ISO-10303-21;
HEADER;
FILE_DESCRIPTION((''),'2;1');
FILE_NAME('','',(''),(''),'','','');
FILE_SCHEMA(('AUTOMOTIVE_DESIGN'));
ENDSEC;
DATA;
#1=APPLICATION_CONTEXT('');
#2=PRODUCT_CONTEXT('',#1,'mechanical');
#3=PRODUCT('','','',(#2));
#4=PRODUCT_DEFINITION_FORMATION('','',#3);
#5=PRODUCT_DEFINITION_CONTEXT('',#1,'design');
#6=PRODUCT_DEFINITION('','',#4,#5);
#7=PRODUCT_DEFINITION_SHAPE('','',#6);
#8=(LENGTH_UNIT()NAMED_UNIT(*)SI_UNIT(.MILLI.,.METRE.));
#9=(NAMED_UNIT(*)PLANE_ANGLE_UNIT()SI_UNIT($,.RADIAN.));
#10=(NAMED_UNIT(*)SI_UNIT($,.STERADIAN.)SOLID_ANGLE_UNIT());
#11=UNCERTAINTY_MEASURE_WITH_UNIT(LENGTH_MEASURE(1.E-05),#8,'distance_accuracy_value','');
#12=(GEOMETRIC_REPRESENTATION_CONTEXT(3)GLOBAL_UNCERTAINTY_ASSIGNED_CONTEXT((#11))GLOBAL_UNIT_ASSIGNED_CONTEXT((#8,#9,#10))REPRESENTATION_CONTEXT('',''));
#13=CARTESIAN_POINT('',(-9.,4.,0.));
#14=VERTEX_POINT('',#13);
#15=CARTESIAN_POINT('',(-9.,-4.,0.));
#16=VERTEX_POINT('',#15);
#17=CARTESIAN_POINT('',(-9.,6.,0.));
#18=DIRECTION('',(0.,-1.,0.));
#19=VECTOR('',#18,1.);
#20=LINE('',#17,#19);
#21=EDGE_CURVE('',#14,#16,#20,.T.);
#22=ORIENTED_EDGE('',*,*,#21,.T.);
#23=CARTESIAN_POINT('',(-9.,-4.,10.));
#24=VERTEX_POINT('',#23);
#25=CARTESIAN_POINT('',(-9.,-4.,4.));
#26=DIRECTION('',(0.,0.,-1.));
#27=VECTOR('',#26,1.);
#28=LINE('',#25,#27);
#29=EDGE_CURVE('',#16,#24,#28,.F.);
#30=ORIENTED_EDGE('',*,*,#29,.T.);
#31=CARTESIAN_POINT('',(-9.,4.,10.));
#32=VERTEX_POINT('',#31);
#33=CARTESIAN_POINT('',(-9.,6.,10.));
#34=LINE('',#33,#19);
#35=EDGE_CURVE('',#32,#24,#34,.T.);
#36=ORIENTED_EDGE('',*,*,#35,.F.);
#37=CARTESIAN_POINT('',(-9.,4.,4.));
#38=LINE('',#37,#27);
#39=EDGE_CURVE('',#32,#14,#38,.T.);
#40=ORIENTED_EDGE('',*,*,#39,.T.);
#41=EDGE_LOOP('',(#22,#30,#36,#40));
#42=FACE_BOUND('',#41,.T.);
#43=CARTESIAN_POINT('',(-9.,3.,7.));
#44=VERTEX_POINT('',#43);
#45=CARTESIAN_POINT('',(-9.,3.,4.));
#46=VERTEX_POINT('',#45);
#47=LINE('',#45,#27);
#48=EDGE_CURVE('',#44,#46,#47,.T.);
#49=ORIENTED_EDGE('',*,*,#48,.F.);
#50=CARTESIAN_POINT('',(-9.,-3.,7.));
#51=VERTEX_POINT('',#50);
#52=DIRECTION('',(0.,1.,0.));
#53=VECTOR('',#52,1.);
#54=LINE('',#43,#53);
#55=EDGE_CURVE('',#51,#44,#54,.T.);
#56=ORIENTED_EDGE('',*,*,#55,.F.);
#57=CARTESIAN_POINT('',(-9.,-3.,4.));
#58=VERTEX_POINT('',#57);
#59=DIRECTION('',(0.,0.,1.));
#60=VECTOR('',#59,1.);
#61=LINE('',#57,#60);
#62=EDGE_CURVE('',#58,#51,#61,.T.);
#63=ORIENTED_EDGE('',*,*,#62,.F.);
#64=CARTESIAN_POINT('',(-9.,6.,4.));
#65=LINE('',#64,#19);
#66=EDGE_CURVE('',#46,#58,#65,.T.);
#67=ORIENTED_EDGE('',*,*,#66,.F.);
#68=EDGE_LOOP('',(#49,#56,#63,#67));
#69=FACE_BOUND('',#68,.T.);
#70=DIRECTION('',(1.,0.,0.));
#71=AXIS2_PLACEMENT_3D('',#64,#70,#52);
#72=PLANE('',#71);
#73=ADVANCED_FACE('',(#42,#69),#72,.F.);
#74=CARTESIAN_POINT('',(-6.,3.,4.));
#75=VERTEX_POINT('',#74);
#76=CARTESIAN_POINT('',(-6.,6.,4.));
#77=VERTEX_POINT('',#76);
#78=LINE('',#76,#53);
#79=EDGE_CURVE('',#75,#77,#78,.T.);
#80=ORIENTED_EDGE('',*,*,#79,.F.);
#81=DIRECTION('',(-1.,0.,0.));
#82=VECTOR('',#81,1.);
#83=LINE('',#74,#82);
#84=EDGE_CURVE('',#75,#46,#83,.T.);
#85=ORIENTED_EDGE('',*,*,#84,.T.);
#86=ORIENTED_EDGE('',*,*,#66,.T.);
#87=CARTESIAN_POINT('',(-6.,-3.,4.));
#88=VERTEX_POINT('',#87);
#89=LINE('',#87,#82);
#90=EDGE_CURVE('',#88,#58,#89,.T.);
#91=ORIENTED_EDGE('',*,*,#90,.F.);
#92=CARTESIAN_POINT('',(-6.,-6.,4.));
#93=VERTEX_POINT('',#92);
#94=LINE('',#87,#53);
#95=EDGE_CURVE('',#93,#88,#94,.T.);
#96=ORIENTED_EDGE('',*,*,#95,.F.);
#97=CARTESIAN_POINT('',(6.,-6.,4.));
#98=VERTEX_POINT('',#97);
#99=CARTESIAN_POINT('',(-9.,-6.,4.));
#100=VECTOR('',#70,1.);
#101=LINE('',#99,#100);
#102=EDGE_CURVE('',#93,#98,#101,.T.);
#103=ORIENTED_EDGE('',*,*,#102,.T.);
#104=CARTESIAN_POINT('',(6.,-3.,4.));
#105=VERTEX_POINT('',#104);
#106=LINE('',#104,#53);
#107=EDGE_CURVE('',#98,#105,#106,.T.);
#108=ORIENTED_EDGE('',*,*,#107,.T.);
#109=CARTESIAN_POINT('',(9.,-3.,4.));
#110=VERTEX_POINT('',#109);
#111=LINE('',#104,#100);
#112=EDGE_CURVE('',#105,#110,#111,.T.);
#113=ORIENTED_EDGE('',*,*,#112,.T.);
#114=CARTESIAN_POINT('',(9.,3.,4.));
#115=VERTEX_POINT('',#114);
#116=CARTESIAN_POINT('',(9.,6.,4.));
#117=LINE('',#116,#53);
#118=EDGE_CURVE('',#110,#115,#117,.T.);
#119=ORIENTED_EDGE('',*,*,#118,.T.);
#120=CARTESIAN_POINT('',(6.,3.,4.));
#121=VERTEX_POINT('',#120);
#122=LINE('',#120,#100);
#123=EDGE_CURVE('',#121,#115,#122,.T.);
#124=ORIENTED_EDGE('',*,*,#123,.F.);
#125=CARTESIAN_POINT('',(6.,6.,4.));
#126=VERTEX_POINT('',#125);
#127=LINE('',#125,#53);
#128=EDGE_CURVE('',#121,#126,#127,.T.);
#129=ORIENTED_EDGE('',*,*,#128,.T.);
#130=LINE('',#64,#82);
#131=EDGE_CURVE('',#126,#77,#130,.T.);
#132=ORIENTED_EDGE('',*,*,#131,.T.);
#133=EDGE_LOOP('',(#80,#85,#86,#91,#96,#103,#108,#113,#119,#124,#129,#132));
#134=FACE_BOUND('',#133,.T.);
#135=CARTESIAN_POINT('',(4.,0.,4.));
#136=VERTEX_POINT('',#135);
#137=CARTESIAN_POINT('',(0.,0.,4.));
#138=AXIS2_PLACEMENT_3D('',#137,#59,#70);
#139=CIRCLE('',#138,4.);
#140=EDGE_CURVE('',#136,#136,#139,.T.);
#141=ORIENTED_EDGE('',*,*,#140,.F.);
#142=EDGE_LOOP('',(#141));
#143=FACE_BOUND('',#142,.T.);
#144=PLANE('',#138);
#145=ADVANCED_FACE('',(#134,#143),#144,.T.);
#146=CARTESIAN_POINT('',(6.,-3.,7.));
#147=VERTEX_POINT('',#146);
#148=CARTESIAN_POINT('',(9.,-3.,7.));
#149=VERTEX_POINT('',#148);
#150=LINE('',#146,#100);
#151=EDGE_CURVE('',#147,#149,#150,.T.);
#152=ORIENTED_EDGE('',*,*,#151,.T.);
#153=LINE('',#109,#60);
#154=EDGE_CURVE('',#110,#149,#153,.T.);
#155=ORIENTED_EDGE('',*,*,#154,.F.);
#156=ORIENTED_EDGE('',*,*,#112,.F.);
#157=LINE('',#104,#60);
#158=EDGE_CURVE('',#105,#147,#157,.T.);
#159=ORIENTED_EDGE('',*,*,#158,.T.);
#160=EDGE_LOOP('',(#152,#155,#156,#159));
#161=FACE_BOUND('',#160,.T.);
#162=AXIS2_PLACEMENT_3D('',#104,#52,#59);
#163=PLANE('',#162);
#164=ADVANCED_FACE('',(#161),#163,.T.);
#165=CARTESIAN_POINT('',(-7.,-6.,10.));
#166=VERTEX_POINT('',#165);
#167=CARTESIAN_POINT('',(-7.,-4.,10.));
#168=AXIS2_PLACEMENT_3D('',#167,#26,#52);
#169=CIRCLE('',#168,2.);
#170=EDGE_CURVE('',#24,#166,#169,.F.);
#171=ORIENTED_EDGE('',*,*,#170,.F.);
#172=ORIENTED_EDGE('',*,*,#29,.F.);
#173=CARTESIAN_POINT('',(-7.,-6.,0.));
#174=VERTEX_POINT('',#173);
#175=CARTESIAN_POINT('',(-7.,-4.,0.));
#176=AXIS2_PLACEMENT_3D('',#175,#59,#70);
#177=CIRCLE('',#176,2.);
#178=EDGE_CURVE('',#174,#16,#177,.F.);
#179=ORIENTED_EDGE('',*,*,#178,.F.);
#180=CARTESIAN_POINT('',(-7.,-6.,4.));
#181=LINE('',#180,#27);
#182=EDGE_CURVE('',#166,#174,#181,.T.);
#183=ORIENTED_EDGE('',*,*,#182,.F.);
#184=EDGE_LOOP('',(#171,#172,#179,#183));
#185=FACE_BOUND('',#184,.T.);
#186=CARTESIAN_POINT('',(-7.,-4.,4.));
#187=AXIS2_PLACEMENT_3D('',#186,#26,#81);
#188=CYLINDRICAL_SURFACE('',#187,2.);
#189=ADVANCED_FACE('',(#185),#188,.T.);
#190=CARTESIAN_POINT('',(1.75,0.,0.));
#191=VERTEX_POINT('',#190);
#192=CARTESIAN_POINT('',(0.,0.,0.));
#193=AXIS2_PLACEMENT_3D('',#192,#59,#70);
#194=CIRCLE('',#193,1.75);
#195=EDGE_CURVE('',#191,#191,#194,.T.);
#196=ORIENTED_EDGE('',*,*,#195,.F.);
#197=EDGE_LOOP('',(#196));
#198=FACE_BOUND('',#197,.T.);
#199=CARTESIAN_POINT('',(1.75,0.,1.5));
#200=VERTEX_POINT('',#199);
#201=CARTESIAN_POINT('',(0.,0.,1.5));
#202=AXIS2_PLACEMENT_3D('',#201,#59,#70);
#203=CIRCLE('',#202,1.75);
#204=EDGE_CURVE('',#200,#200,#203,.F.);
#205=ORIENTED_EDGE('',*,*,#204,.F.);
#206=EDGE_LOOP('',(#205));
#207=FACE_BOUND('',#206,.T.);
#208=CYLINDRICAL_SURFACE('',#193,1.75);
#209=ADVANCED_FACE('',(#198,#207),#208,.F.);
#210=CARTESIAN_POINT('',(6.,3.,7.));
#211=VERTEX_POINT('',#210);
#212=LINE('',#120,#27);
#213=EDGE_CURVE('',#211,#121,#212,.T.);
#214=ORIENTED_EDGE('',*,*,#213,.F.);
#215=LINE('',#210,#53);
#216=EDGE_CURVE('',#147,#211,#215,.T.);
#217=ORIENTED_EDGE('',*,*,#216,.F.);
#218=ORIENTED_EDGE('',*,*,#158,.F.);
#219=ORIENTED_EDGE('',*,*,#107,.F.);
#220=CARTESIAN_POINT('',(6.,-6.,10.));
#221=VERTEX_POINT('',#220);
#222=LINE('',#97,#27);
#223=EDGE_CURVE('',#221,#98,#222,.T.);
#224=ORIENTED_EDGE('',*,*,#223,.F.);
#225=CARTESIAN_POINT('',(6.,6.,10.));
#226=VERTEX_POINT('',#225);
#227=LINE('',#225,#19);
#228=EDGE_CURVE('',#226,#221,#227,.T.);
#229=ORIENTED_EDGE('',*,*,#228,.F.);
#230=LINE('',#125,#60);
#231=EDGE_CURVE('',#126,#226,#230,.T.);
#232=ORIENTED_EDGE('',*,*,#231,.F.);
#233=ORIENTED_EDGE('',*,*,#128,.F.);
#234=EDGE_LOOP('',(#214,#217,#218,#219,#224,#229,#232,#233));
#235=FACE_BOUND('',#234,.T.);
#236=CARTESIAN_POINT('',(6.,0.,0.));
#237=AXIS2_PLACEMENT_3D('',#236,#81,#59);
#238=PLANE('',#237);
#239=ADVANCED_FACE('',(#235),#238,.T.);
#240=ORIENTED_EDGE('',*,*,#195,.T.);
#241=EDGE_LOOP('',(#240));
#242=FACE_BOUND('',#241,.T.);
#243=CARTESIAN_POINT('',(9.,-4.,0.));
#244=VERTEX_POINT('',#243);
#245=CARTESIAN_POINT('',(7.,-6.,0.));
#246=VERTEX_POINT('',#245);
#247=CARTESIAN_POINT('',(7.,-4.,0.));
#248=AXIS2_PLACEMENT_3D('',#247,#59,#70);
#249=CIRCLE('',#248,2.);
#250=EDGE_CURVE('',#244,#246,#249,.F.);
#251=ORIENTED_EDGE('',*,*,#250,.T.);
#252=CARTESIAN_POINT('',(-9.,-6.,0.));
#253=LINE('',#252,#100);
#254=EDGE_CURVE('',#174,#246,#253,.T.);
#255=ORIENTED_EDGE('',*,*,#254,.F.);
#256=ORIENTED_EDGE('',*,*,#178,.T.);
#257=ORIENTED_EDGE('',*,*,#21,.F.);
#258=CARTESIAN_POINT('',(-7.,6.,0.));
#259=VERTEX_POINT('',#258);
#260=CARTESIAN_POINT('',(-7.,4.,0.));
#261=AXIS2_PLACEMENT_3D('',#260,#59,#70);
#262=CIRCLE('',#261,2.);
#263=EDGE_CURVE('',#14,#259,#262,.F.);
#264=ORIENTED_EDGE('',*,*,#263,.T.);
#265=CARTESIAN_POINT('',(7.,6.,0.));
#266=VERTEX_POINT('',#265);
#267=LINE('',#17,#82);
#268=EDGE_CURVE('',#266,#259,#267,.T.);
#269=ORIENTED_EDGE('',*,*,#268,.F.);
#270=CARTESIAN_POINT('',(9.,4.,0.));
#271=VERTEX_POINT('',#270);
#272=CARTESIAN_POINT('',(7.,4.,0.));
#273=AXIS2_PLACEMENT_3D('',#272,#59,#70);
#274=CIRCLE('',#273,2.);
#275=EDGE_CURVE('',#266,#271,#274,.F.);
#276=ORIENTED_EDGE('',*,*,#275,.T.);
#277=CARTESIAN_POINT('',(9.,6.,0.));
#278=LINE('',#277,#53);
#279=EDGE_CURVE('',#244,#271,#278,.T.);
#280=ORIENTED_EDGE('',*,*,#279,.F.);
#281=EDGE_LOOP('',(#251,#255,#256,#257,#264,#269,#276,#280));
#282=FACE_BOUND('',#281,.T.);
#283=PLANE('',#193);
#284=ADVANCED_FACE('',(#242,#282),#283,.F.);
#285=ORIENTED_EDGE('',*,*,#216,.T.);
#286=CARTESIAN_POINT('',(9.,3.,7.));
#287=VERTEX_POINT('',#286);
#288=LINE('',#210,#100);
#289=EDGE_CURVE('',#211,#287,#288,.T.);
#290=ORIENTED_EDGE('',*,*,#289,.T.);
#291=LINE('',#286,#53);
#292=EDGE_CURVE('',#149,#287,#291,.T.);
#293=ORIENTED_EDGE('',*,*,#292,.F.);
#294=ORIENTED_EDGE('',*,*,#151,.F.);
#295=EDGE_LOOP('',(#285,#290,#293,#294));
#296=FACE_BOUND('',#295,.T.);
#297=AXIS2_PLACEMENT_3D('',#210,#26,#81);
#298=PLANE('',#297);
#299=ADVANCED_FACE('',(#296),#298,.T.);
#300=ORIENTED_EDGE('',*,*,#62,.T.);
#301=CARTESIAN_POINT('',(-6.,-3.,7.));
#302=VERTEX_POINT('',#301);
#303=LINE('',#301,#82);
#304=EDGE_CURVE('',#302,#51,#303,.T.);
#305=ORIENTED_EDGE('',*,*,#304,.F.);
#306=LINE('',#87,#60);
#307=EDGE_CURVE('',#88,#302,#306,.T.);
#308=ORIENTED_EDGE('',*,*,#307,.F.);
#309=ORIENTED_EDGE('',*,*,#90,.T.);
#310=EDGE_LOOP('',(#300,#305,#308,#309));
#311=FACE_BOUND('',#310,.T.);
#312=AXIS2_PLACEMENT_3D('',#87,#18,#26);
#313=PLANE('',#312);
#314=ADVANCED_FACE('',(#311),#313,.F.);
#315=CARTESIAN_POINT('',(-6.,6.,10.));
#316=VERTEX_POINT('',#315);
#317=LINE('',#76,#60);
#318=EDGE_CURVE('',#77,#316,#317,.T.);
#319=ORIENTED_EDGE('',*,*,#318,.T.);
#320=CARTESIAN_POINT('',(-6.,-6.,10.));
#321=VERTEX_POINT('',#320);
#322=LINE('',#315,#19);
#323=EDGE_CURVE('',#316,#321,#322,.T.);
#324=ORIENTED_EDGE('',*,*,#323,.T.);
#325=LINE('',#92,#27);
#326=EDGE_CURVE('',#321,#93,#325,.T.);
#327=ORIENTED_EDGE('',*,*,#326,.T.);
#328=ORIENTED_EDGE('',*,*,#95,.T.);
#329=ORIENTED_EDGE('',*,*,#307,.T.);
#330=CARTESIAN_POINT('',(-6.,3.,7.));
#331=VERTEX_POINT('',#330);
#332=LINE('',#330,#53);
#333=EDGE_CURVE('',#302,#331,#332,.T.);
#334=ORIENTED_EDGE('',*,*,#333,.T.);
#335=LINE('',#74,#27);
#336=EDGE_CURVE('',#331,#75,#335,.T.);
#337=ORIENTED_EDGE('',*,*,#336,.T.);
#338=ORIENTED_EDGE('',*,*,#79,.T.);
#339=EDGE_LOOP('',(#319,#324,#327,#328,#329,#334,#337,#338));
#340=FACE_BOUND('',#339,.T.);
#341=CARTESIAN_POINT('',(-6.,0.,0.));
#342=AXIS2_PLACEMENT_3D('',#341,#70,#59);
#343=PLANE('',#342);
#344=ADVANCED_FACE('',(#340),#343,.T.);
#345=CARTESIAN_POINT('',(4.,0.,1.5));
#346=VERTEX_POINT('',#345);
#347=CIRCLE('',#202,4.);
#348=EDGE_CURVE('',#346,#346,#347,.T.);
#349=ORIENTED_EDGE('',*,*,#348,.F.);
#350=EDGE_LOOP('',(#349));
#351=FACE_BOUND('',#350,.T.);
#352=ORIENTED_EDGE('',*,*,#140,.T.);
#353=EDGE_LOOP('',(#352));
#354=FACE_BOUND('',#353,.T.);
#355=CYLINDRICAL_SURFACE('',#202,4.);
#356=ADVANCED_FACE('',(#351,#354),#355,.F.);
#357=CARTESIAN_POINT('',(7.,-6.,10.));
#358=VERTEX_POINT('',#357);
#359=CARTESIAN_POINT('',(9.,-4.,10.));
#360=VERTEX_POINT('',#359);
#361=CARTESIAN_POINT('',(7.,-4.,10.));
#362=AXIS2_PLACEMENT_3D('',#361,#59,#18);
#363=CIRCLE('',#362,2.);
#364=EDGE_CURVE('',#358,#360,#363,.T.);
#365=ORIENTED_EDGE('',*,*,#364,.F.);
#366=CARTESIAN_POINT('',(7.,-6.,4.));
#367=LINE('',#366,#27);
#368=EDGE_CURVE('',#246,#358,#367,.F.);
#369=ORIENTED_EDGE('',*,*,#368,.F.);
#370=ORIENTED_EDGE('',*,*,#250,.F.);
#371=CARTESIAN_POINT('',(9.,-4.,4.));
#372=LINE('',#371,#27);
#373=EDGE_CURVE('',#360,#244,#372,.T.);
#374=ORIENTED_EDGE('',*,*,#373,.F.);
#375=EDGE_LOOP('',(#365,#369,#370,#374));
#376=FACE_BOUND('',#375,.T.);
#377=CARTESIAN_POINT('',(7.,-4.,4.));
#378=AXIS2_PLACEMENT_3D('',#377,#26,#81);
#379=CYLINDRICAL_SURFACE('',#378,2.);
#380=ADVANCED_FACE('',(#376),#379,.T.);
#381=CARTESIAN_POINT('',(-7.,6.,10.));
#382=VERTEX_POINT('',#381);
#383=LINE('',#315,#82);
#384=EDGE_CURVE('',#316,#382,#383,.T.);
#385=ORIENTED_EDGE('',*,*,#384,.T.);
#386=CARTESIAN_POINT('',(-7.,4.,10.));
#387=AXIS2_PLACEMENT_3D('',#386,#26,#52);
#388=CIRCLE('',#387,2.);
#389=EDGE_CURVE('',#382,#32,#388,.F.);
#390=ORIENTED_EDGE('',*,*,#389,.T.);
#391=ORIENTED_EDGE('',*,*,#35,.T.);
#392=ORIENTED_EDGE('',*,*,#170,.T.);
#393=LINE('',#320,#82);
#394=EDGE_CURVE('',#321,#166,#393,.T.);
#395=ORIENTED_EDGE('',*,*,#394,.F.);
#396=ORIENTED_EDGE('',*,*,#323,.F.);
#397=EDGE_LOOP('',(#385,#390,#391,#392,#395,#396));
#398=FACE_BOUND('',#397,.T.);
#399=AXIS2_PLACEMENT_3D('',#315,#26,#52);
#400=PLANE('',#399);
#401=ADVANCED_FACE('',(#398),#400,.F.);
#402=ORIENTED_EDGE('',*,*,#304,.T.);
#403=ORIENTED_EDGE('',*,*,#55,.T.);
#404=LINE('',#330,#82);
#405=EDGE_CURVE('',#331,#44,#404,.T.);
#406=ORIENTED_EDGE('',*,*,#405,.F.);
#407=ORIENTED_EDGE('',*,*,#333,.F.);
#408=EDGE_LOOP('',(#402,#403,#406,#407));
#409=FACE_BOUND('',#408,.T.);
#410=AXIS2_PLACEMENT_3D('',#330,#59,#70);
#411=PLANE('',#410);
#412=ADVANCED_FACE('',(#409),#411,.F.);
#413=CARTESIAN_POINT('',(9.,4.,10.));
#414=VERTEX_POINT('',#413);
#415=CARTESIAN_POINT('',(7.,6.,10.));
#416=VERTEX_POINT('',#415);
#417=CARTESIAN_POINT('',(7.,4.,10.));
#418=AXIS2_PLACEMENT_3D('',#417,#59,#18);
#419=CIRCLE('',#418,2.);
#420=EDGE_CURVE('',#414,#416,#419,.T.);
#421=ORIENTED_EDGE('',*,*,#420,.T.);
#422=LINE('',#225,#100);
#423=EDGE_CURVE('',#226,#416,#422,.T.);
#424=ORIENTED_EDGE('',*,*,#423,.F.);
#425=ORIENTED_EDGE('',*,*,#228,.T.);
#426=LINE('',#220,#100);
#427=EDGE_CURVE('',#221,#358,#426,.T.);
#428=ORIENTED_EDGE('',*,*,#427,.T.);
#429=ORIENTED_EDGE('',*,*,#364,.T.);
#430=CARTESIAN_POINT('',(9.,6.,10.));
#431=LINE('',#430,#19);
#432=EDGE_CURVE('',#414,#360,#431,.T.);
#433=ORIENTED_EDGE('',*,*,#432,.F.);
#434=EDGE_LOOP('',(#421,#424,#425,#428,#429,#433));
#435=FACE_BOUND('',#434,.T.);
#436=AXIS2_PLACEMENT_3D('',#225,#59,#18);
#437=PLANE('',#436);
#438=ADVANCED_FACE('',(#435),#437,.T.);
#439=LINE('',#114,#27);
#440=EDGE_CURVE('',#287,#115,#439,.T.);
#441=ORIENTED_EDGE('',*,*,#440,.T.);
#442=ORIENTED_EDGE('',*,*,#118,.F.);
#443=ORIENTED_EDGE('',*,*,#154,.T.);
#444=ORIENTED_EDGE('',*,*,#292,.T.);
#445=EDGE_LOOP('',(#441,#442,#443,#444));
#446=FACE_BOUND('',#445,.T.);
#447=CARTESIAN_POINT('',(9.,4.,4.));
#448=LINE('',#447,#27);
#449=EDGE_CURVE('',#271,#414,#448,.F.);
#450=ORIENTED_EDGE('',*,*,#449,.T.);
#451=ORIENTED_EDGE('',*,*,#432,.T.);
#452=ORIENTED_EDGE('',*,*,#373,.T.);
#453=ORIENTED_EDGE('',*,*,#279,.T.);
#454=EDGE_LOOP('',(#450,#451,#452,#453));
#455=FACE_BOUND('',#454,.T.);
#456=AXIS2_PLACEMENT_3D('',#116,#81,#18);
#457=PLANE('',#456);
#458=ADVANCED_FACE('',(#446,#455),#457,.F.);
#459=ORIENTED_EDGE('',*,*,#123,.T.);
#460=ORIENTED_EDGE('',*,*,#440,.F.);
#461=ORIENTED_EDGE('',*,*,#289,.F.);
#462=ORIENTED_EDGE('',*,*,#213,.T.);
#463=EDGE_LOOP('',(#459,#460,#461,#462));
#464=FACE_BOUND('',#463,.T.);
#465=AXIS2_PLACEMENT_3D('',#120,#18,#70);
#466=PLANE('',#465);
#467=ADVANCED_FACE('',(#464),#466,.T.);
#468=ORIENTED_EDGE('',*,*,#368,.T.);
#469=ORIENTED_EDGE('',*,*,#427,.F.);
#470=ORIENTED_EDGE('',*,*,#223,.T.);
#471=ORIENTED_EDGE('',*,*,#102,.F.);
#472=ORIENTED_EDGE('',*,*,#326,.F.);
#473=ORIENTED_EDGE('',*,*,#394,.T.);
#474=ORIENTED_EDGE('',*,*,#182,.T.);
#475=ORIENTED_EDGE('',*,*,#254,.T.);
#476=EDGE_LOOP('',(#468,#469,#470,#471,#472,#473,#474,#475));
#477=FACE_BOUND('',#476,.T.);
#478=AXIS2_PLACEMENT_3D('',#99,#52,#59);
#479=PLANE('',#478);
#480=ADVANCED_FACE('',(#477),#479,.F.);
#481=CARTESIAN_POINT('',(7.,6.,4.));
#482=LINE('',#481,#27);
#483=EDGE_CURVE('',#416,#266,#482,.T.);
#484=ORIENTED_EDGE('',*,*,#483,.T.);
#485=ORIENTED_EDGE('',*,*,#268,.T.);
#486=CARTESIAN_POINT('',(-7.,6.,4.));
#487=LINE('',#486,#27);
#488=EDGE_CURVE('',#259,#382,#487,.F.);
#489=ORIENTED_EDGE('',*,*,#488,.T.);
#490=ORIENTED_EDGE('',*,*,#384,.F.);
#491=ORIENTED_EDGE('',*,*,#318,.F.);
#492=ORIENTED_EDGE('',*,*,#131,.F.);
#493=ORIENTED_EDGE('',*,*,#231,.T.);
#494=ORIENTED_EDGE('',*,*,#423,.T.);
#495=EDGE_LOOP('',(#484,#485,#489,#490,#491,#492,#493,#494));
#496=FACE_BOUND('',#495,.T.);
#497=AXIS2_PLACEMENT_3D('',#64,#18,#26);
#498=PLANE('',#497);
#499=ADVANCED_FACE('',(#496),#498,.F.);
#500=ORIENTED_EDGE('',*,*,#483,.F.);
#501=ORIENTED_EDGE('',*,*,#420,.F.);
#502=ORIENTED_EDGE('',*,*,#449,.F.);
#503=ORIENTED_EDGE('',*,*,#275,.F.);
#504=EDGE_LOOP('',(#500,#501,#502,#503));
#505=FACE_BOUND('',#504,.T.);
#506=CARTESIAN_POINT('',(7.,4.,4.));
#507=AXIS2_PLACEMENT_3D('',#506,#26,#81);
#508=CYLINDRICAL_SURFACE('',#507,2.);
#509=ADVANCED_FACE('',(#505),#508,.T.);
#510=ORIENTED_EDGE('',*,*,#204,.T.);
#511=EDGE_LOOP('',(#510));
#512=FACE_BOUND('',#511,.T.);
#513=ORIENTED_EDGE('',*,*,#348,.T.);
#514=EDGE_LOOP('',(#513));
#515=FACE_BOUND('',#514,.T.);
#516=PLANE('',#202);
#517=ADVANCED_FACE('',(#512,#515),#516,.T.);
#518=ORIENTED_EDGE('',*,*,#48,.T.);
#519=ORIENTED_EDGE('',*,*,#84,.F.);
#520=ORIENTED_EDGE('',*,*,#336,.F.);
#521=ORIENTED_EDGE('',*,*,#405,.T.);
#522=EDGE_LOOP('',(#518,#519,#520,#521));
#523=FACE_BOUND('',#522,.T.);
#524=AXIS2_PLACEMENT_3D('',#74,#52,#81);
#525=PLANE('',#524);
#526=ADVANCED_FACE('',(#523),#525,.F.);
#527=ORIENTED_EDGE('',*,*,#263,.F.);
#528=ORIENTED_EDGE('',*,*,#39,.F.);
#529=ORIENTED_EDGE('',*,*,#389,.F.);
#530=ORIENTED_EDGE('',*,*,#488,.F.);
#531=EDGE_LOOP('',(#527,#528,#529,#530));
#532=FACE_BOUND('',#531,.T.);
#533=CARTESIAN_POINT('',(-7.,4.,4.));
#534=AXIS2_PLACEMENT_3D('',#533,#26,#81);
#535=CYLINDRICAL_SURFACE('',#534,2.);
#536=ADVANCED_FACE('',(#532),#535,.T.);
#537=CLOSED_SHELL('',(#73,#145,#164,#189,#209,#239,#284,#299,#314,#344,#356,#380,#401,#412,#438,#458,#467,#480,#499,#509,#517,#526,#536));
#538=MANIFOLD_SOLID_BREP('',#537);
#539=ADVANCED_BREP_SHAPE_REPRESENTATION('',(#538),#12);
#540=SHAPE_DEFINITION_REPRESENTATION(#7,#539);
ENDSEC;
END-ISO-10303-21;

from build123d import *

# Parameters (mm, degrees)
SKETCH1_W           = 18
SKETCH1_H           = 12
BOSS_EXTRUDE1_DEPTH = 4
BOSS_EXTRUDE2_DEPTH = 3
SKETCH3_R           = 1.75
CUT_EXTRUDE1_DEPTH  = 13.369316877
SKETCH4_R           = 4
CUT_EXTRUDE2_DEPTH  = 2.5
FILLET1_R           = 2


with BuildPart() as part:
    # Sketch1 → Boss-Extrude1 (new body)
    with BuildSketch(Plane.XY):
        Rectangle(SKETCH1_W, SKETCH1_H)
    extrude(amount=BOSS_EXTRUDE1_DEPTH)

    # Sketch2 → Boss-Extrude2 (add)
    with BuildSketch(Plane(origin=(9, 0, 0), x_dir=(0, 0, -1), z_dir=(1, 0, 0))):
        Polygon((-4, 6), (-10, 6), (-10, -6), (-4, -6), (-4, -3), (-7, -3), (-7, 3), (-4, 3), align=None)
    boss_extrude2 = extrude(amount=-BOSS_EXTRUDE2_DEPTH)

    # Mirror1: Boss-Extrude2 across plane
    add(boss_extrude2.mirror(Plane(origin=(0, 0, 0), x_dir=(0, 0, 1), z_dir=(1, 0, 0))))

    # Sketch3 → Cut-Extrude1 (cut, through all)
    with BuildSketch(Plane.XY.offset(4)):
        Circle(SKETCH3_R)
    extrude(amount=-CUT_EXTRUDE1_DEPTH, mode=Mode.SUBTRACT)

    # Sketch4 → Cut-Extrude2 (cut)
    with BuildSketch(Plane.XY.offset(4)):
        Circle(SKETCH4_R)
    extrude(amount=-CUT_EXTRUDE2_DEPTH, mode=Mode.SUBTRACT)

    # Fillet1
    fillet1_edges = [part.edges().sort_by_distance(p)[0] for p in [
        (-9, 6, 5),
        (9, 6, 5),
        (9, -6, 5),
        (-9, -6, 5),
    ]]
    fillet(fillet1_edges, radius=FILLET1_R)


solid = part.part
